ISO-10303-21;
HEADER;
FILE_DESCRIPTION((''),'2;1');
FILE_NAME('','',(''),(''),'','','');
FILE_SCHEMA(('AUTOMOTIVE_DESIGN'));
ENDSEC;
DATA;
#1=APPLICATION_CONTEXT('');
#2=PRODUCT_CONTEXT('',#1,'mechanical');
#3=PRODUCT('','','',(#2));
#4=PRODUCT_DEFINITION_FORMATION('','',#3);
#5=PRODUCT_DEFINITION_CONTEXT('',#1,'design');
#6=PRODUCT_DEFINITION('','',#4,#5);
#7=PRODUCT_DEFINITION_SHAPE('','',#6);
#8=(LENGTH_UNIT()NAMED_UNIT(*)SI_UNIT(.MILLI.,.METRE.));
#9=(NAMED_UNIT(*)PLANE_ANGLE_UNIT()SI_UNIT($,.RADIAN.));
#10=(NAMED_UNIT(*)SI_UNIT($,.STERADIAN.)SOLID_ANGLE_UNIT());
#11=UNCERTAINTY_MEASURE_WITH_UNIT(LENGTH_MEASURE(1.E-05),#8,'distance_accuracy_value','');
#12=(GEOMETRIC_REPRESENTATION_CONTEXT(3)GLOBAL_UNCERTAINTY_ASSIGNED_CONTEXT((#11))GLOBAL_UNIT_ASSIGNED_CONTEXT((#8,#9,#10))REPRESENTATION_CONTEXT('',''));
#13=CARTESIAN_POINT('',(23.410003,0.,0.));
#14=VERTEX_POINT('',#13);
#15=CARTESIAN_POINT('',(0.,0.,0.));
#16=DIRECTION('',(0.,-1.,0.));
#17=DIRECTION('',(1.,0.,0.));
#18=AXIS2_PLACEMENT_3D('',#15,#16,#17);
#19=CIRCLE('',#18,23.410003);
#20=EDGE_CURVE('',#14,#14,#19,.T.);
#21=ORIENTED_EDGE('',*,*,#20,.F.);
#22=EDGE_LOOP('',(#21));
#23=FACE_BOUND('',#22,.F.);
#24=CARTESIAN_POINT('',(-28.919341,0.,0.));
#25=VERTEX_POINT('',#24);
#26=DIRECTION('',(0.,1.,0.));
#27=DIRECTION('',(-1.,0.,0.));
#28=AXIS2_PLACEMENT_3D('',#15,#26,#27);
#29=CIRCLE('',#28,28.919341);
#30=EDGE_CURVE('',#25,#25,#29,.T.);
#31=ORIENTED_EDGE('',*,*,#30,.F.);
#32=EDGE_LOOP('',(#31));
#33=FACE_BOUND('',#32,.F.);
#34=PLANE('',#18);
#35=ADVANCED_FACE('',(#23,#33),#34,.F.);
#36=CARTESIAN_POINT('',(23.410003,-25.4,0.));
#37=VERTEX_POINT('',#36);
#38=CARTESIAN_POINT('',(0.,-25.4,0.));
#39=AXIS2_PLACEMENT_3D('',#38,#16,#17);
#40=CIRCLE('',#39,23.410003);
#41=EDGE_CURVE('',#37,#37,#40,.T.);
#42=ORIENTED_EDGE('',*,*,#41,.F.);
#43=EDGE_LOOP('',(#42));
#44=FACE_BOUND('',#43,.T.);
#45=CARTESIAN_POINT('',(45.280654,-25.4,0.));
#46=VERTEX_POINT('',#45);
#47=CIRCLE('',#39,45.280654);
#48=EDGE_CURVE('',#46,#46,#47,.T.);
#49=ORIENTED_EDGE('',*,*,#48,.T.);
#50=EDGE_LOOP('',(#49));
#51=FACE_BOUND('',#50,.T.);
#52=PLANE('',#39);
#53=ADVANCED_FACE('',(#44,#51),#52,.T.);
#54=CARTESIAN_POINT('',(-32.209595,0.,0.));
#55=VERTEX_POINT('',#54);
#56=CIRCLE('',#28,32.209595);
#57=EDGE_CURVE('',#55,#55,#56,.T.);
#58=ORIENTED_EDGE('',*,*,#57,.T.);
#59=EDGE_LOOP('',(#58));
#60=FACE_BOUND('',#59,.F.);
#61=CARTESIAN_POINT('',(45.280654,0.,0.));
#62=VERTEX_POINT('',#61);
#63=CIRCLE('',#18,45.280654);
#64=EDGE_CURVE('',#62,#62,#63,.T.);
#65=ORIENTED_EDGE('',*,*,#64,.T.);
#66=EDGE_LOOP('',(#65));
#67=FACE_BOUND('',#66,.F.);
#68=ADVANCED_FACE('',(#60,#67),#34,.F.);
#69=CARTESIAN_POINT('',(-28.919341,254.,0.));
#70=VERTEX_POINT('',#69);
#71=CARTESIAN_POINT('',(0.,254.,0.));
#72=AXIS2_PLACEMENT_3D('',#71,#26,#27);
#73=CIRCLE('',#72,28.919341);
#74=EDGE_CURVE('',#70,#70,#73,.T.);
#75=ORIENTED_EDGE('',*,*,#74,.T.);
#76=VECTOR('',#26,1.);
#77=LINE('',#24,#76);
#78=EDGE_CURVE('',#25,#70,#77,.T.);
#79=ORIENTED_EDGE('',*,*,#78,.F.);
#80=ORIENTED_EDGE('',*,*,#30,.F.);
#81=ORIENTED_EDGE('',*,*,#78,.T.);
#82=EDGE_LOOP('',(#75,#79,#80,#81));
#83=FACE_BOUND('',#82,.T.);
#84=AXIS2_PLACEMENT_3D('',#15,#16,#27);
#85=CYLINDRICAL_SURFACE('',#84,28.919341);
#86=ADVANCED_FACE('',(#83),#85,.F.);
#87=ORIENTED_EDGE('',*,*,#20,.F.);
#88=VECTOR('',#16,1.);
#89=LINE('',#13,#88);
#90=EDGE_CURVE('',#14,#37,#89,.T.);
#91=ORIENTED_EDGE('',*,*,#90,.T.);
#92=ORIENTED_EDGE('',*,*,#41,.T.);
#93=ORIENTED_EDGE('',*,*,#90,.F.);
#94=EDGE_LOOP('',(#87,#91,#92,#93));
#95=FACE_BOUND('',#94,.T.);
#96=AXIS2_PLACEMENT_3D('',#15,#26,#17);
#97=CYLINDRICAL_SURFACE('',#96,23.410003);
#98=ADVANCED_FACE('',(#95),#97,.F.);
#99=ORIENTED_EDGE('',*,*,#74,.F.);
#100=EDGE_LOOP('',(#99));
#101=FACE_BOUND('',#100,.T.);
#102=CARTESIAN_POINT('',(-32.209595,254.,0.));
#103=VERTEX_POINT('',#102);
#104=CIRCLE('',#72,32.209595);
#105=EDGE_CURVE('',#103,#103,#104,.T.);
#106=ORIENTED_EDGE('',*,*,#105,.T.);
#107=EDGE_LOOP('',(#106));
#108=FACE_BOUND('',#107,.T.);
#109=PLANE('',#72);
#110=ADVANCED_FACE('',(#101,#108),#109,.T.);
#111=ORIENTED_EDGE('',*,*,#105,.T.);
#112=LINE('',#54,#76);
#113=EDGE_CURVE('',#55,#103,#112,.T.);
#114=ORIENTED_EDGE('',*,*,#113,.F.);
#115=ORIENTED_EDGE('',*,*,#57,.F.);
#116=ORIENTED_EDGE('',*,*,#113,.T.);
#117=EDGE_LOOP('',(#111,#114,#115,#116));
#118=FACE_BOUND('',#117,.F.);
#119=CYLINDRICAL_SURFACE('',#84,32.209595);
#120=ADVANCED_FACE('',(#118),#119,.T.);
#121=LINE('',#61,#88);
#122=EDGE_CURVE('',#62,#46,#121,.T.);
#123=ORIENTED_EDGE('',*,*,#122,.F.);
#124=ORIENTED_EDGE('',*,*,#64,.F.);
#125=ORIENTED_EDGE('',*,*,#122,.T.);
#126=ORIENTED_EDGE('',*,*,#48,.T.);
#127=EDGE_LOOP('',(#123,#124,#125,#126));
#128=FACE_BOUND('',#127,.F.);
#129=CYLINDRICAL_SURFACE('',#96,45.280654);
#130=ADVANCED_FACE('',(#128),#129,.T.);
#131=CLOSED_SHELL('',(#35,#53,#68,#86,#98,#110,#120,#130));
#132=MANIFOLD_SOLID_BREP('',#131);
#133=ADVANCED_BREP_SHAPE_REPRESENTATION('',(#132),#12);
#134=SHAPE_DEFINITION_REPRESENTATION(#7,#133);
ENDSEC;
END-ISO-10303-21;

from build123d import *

# Parameters (mm, degrees)
F0_R     = 45.280654
F0_R_2   = 23.410003
F1_DEPTH = 25.4
F2_R     = 32.209595
F2_R_2   = 28.919341
F3_DEPTH = 254


with BuildPart() as f1:
    # F0 (on Front) → F1 (new body)
    with BuildSketch(Plane.XZ):
        Circle(F0_R)
        Circle(F0_R_2, mode=Mode.SUBTRACT)
    extrude(amount=F1_DEPTH)

    # F2 (on face) → F3 (join)
    with BuildSketch(Plane(origin=(0, 0, 0), x_dir=(-1, 0, 0), z_dir=(0, 1, 0))):
        Circle(F2_R)
        Circle(F2_R_2, mode=Mode.SUBTRACT)
    extrude(amount=F3_DEPTH)


solid = f1.part
